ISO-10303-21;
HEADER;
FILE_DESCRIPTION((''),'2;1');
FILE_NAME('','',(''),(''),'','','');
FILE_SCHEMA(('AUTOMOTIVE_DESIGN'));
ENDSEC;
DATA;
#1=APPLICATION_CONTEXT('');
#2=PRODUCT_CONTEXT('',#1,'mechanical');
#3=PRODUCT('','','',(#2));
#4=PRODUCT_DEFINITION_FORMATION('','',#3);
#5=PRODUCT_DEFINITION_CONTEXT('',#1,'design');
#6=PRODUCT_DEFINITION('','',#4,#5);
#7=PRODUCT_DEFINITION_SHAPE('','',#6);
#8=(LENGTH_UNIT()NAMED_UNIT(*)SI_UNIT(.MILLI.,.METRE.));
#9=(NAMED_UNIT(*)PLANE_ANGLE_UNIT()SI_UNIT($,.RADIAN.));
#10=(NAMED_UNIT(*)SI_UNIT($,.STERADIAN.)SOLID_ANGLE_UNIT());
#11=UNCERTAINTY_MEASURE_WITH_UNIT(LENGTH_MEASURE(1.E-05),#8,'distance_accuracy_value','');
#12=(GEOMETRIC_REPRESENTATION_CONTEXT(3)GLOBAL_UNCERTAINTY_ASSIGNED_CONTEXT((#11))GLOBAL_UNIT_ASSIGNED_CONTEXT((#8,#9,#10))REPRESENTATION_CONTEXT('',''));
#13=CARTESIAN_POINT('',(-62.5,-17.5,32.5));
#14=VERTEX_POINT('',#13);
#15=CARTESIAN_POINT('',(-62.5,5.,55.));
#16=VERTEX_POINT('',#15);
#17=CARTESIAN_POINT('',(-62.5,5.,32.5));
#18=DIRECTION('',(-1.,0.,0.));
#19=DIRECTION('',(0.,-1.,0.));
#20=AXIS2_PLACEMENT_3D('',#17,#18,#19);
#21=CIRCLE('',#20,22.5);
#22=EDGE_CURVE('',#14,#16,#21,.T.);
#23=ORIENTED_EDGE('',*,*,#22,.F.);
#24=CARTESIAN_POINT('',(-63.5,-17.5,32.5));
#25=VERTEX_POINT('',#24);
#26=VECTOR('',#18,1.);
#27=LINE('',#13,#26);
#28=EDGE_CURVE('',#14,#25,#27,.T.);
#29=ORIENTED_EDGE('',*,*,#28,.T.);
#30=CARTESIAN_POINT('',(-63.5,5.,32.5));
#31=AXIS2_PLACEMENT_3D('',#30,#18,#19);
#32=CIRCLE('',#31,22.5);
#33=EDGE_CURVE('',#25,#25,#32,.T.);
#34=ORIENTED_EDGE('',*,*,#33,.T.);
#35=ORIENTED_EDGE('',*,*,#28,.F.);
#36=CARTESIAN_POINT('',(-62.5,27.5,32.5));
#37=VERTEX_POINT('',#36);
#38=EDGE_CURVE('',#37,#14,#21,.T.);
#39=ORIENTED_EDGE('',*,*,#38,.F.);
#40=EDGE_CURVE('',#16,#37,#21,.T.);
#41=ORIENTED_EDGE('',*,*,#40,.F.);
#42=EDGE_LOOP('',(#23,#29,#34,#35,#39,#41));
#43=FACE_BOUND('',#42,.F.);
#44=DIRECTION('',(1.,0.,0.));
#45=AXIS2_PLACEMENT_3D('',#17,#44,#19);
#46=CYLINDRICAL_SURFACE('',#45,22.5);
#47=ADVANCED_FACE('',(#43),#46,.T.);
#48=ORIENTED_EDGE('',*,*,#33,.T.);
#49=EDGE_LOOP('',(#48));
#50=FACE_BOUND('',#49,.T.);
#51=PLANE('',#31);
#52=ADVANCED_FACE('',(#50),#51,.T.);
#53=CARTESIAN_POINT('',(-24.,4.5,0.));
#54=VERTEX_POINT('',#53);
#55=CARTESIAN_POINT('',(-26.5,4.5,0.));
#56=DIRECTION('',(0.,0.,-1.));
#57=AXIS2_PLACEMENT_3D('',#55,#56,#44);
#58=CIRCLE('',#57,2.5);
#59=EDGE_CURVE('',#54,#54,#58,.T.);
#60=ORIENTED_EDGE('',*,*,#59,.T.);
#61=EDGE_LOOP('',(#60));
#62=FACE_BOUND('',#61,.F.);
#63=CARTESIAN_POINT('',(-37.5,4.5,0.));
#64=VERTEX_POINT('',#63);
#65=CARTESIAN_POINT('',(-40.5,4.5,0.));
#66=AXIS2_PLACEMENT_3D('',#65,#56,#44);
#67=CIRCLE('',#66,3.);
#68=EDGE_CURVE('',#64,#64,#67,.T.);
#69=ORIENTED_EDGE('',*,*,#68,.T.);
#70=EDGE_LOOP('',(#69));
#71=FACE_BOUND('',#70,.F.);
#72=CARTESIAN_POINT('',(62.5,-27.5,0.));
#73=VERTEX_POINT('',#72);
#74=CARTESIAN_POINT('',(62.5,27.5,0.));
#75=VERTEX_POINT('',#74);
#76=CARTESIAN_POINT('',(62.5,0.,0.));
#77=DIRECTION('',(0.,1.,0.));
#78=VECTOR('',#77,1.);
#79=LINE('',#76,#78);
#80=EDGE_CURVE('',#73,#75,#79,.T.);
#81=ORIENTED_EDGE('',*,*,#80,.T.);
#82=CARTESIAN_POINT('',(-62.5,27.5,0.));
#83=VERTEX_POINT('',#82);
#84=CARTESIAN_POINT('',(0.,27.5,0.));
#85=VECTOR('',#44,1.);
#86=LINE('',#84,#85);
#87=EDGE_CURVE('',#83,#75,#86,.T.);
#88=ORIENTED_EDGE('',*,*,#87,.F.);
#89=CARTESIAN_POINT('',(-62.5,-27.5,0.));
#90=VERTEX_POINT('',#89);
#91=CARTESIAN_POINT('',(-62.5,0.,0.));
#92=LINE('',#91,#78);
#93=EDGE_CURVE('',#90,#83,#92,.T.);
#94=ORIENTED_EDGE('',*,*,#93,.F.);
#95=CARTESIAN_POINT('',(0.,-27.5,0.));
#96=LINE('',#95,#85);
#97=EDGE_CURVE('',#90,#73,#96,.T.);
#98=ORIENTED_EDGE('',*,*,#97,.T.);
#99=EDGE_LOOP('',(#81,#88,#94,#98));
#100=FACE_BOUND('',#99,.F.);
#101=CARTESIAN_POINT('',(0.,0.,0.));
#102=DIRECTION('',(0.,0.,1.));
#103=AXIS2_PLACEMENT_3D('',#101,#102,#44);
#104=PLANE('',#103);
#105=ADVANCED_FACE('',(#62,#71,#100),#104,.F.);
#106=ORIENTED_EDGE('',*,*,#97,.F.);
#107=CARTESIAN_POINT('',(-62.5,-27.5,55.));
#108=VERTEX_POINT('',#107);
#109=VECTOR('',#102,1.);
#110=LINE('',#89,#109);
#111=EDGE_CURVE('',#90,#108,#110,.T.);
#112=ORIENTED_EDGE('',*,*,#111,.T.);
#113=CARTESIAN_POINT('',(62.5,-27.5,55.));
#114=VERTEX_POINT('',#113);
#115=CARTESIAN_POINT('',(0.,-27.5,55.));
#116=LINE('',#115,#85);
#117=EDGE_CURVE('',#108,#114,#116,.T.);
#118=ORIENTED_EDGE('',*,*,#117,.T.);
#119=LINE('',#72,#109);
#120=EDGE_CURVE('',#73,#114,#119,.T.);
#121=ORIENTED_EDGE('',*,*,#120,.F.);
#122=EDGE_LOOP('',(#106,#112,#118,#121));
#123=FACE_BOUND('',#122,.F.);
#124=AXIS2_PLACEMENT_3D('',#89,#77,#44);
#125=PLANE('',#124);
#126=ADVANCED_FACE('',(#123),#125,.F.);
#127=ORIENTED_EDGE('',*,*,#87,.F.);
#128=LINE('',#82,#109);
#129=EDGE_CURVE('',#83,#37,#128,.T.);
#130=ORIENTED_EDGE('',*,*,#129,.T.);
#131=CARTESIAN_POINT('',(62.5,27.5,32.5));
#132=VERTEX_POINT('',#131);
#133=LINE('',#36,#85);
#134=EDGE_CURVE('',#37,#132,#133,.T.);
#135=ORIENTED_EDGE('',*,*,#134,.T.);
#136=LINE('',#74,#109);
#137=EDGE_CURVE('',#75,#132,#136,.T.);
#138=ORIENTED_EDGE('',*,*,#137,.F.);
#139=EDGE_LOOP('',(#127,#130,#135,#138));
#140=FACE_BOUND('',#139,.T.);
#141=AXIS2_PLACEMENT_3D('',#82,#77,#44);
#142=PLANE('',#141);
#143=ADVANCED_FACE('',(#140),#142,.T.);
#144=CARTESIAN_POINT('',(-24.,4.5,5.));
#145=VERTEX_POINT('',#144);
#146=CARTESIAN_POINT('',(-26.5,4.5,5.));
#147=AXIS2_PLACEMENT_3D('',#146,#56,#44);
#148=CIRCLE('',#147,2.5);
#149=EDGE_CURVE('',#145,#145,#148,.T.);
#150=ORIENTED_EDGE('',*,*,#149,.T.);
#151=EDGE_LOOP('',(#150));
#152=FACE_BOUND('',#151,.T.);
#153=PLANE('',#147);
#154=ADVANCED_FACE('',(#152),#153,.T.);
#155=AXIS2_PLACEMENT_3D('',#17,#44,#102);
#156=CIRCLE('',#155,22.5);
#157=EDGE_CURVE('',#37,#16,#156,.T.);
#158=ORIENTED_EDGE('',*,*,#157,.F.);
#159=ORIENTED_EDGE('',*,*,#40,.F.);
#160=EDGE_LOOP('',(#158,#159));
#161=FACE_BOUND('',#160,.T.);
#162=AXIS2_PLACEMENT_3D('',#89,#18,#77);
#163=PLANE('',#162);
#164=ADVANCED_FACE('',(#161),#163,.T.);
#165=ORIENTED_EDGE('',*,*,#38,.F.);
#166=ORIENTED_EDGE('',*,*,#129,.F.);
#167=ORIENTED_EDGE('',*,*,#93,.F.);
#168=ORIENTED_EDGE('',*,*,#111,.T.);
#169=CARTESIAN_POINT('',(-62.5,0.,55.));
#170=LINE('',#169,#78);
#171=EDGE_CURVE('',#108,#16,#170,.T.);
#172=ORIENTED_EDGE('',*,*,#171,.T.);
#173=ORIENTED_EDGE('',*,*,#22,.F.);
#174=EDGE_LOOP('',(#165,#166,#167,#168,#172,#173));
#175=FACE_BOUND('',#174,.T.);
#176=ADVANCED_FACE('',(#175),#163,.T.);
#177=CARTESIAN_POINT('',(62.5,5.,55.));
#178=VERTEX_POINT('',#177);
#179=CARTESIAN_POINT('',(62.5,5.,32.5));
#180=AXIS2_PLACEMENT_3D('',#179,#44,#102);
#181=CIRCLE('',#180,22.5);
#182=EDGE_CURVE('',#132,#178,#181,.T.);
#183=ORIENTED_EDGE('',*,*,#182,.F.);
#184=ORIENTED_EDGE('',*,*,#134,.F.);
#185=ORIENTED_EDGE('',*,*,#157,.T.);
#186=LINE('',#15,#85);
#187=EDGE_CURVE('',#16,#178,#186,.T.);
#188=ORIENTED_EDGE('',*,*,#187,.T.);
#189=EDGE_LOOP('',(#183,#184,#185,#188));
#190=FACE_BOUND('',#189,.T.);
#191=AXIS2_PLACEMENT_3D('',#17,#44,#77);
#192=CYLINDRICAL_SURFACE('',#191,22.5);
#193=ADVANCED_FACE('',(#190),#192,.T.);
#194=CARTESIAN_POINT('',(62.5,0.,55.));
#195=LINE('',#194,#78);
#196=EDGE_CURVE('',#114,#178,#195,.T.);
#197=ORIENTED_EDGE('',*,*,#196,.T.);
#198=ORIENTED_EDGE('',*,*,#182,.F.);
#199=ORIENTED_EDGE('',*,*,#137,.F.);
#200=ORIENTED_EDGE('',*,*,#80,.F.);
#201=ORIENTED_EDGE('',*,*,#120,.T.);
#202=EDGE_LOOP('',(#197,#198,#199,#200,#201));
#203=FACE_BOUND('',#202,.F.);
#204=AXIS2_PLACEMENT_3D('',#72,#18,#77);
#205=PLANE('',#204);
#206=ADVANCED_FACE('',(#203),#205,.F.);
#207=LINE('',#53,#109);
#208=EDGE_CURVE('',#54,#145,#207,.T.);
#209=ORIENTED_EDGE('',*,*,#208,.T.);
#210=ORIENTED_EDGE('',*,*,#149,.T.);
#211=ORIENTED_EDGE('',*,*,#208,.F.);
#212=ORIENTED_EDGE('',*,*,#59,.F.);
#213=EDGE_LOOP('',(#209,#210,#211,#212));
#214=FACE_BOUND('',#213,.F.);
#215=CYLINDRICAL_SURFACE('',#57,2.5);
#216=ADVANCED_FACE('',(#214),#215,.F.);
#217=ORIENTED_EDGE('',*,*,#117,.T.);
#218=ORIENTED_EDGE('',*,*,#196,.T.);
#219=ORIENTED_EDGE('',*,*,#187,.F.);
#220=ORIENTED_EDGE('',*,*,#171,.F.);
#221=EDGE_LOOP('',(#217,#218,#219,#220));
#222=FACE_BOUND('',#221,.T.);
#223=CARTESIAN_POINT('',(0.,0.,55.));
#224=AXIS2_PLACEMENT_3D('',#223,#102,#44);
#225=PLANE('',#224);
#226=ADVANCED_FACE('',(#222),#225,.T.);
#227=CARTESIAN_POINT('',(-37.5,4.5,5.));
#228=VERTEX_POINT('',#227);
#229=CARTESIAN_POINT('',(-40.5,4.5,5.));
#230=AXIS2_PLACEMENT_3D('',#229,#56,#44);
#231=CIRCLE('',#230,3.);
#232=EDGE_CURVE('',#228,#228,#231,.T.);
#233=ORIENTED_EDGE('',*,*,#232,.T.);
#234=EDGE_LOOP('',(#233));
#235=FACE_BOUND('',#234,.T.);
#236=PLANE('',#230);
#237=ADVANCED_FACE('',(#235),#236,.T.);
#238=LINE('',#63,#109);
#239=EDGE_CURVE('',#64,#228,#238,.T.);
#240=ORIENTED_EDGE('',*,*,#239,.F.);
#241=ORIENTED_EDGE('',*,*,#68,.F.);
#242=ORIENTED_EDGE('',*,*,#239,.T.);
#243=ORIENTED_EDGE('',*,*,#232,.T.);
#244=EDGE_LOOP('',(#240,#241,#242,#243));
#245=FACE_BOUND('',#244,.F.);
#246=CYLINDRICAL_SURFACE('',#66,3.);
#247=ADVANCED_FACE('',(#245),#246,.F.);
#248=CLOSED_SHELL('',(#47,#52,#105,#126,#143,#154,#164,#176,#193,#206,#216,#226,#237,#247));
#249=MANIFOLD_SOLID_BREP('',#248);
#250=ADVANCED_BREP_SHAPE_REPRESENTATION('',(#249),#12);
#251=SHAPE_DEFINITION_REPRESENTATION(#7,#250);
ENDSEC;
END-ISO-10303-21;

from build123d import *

# Parameters (mm, degrees)
F0_W     = 125
F0_H     = 55
F1_DEPTH = 55
F2_R     = 3
F2_R_2   = 2.5
F3_DEPTH = 5
F4_R     = 22.5
F5_DEPTH = 1
F6_R     = 22.5


with BuildPart() as f1:
    # F0 (on Top) → F1 (new body)
    with BuildSketch(Plane.XY):
        Rectangle(F0_W, F0_H)
    extrude(amount=F1_DEPTH)

    # F2 (on face) → F3 (cut)
    with BuildSketch(Plane(origin=(0, 0, 0), x_dir=(1, 0, 0), z_dir=(0, 0, -1))):
        with Locations((-40.5, -4.5)):
            Circle(F2_R)
        with Locations((-26.5, -4.5)):
            Circle(F2_R_2)
    extrude(amount=-F3_DEPTH, mode=Mode.SUBTRACT)

    # F4 (on face) → F5 (join)
    with BuildSketch(Plane(origin=(-62.5, 0, 0), x_dir=(0, -1, 0), z_dir=(-1, 0, 0))):
        with Locations((-5, 32.5)):
            Circle(F4_R)
    extrude(amount=F5_DEPTH)

    # F6
    f6_edges = [f1.edges().sort_by_distance(p)[0] for p in [
        (0, 27.5, 55),
    ]]
    fillet(f6_edges, radius=F6_R)


solid = f1.part
